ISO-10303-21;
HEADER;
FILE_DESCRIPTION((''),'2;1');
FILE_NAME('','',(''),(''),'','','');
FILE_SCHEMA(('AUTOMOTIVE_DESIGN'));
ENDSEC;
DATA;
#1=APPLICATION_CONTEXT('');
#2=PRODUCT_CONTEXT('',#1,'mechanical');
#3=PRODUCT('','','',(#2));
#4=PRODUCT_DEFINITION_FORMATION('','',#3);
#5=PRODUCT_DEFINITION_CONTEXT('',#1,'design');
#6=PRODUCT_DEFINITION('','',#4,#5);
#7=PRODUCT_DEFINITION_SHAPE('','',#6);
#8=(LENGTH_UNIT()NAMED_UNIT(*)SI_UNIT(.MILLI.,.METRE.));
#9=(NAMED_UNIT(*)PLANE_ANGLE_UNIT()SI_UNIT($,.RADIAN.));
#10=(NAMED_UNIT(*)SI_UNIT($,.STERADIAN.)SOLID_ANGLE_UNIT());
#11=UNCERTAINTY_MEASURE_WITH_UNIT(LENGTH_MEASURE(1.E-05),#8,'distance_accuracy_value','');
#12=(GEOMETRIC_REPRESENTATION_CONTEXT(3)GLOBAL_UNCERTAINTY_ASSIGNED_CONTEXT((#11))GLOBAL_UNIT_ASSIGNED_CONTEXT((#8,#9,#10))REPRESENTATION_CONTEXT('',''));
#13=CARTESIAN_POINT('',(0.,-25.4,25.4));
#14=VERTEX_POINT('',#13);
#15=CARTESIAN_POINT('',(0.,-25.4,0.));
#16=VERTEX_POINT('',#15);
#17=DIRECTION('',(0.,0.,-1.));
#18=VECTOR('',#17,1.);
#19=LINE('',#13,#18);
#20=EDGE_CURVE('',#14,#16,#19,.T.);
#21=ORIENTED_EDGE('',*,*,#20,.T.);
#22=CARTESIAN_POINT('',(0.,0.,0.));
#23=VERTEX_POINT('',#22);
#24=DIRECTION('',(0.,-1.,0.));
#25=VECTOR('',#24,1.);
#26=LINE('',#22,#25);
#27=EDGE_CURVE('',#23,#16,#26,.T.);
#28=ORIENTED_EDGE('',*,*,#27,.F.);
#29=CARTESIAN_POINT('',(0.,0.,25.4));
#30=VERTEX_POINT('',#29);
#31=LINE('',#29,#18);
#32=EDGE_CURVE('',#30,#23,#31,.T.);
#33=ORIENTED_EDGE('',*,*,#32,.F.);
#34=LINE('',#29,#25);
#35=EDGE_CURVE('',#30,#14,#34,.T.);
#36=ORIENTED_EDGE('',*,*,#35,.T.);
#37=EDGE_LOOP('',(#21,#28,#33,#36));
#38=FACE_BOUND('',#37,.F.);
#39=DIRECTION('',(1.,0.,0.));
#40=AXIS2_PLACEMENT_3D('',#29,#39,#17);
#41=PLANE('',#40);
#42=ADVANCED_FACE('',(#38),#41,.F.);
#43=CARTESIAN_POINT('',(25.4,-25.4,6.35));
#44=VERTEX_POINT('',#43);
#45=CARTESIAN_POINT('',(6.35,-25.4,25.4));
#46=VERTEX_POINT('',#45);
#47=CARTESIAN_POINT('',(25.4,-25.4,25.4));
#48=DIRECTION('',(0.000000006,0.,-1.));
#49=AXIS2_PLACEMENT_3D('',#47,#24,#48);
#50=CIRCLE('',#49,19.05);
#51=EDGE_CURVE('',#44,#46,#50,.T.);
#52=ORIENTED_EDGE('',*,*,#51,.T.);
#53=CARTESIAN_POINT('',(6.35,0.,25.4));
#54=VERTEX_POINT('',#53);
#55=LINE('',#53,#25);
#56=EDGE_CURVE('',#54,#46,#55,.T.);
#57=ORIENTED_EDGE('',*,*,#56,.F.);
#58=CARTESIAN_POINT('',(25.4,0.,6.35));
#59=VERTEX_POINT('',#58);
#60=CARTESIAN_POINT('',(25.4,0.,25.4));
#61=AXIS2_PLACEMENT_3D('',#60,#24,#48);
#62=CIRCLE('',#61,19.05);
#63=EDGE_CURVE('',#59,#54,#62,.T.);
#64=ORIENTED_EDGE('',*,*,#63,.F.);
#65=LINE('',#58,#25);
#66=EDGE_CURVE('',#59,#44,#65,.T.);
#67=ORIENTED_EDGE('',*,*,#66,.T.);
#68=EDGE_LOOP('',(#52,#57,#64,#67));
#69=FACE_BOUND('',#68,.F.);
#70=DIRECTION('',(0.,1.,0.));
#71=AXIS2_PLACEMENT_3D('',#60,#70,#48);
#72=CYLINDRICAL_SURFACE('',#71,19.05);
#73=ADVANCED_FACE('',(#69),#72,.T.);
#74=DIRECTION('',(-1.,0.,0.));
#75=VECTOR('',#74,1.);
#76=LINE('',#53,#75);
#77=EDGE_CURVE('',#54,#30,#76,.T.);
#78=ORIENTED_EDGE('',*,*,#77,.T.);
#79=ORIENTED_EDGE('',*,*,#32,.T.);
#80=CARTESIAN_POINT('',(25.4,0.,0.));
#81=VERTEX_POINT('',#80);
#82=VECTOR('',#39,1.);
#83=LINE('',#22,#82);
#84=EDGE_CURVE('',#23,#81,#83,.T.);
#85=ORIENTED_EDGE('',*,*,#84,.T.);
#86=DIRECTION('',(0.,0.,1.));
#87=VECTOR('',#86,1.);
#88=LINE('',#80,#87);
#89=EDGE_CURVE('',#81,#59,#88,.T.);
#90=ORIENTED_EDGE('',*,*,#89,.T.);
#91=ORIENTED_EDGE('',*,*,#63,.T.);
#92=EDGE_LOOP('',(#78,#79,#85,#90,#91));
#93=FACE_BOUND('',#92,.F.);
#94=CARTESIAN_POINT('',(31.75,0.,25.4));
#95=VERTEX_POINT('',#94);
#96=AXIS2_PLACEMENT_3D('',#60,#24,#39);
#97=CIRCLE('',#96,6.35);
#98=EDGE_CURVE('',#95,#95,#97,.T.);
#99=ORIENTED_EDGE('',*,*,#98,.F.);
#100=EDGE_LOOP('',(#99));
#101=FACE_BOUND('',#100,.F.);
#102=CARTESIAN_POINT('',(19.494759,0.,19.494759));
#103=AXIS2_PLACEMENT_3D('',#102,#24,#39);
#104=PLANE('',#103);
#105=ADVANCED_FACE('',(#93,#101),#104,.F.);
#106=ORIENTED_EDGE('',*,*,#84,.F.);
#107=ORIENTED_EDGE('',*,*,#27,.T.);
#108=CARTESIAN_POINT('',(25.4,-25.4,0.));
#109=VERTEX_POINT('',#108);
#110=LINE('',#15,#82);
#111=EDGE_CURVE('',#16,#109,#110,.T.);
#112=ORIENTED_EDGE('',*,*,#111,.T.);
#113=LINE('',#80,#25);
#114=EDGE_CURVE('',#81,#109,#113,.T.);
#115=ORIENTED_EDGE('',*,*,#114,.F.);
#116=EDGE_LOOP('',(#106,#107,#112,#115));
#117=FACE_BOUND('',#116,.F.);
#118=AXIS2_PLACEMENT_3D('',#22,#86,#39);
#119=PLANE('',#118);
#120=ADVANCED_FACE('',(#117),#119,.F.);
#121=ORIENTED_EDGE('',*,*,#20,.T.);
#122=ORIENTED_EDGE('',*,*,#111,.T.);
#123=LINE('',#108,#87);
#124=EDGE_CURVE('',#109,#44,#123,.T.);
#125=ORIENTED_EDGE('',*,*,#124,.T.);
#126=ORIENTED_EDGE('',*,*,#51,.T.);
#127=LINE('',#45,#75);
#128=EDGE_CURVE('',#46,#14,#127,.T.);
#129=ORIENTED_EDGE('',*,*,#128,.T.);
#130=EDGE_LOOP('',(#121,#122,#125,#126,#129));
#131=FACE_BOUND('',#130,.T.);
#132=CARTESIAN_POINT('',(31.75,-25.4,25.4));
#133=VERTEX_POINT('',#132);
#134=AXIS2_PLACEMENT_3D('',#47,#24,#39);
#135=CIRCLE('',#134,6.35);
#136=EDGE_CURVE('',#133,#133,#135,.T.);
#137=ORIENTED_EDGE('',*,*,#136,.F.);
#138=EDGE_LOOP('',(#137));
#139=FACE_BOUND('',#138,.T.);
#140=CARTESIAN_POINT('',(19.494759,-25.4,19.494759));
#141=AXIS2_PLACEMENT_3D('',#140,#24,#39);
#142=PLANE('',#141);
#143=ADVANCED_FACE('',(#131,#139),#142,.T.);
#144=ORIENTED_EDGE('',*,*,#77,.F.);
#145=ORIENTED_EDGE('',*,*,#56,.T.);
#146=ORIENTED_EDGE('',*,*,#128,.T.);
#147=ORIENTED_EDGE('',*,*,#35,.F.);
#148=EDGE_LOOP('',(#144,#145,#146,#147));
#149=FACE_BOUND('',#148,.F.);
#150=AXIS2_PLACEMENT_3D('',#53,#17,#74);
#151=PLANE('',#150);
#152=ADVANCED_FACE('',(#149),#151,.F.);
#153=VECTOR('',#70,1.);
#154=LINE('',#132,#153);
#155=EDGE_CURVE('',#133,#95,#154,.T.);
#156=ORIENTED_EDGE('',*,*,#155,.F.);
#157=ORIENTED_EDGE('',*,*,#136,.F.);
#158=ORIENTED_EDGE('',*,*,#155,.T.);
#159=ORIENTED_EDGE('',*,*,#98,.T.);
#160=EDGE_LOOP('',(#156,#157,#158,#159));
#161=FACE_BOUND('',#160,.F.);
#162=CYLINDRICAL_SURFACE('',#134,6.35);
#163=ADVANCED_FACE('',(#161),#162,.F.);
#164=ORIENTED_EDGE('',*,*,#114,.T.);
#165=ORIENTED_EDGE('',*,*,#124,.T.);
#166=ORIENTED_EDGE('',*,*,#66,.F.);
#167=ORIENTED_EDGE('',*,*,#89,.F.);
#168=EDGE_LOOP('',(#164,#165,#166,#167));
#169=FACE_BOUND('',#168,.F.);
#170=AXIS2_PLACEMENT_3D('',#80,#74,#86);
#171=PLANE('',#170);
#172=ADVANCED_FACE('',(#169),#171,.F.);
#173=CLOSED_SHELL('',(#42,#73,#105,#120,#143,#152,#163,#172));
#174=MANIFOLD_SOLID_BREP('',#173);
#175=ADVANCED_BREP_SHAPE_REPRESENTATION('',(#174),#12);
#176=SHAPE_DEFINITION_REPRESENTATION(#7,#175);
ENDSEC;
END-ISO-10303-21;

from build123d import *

# Parameters (mm, degrees)
F1_DEPTH = 25.4
F2_R     = 6.35
F3_DEPTH = 25.4


with BuildPart() as f1:
    # F0 (on Front) → F1 (new body)
    with BuildSketch(Plane.XZ):
        with BuildLine():
            Line((0, 25.4), (0, 0))
            Line((0, 0), (25.4, 0))
            Line((25.4, 0), (25.4, 6.35))
            ThreePointArc((25.4, 6.35), (38.870384, 38.870384), (6.35, 25.4))
            Line((6.35, 25.4), (0, 25.4))
        make_face()
    extrude(amount=F1_DEPTH)

    # F2 (on face) → F3 (cut)
    with BuildSketch(Plane.XZ.offset(25.4)):
        with Locations((25.4, 25.4)):
            Circle(F2_R)
    extrude(amount=-F3_DEPTH, mode=Mode.SUBTRACT)


solid = f1.part
